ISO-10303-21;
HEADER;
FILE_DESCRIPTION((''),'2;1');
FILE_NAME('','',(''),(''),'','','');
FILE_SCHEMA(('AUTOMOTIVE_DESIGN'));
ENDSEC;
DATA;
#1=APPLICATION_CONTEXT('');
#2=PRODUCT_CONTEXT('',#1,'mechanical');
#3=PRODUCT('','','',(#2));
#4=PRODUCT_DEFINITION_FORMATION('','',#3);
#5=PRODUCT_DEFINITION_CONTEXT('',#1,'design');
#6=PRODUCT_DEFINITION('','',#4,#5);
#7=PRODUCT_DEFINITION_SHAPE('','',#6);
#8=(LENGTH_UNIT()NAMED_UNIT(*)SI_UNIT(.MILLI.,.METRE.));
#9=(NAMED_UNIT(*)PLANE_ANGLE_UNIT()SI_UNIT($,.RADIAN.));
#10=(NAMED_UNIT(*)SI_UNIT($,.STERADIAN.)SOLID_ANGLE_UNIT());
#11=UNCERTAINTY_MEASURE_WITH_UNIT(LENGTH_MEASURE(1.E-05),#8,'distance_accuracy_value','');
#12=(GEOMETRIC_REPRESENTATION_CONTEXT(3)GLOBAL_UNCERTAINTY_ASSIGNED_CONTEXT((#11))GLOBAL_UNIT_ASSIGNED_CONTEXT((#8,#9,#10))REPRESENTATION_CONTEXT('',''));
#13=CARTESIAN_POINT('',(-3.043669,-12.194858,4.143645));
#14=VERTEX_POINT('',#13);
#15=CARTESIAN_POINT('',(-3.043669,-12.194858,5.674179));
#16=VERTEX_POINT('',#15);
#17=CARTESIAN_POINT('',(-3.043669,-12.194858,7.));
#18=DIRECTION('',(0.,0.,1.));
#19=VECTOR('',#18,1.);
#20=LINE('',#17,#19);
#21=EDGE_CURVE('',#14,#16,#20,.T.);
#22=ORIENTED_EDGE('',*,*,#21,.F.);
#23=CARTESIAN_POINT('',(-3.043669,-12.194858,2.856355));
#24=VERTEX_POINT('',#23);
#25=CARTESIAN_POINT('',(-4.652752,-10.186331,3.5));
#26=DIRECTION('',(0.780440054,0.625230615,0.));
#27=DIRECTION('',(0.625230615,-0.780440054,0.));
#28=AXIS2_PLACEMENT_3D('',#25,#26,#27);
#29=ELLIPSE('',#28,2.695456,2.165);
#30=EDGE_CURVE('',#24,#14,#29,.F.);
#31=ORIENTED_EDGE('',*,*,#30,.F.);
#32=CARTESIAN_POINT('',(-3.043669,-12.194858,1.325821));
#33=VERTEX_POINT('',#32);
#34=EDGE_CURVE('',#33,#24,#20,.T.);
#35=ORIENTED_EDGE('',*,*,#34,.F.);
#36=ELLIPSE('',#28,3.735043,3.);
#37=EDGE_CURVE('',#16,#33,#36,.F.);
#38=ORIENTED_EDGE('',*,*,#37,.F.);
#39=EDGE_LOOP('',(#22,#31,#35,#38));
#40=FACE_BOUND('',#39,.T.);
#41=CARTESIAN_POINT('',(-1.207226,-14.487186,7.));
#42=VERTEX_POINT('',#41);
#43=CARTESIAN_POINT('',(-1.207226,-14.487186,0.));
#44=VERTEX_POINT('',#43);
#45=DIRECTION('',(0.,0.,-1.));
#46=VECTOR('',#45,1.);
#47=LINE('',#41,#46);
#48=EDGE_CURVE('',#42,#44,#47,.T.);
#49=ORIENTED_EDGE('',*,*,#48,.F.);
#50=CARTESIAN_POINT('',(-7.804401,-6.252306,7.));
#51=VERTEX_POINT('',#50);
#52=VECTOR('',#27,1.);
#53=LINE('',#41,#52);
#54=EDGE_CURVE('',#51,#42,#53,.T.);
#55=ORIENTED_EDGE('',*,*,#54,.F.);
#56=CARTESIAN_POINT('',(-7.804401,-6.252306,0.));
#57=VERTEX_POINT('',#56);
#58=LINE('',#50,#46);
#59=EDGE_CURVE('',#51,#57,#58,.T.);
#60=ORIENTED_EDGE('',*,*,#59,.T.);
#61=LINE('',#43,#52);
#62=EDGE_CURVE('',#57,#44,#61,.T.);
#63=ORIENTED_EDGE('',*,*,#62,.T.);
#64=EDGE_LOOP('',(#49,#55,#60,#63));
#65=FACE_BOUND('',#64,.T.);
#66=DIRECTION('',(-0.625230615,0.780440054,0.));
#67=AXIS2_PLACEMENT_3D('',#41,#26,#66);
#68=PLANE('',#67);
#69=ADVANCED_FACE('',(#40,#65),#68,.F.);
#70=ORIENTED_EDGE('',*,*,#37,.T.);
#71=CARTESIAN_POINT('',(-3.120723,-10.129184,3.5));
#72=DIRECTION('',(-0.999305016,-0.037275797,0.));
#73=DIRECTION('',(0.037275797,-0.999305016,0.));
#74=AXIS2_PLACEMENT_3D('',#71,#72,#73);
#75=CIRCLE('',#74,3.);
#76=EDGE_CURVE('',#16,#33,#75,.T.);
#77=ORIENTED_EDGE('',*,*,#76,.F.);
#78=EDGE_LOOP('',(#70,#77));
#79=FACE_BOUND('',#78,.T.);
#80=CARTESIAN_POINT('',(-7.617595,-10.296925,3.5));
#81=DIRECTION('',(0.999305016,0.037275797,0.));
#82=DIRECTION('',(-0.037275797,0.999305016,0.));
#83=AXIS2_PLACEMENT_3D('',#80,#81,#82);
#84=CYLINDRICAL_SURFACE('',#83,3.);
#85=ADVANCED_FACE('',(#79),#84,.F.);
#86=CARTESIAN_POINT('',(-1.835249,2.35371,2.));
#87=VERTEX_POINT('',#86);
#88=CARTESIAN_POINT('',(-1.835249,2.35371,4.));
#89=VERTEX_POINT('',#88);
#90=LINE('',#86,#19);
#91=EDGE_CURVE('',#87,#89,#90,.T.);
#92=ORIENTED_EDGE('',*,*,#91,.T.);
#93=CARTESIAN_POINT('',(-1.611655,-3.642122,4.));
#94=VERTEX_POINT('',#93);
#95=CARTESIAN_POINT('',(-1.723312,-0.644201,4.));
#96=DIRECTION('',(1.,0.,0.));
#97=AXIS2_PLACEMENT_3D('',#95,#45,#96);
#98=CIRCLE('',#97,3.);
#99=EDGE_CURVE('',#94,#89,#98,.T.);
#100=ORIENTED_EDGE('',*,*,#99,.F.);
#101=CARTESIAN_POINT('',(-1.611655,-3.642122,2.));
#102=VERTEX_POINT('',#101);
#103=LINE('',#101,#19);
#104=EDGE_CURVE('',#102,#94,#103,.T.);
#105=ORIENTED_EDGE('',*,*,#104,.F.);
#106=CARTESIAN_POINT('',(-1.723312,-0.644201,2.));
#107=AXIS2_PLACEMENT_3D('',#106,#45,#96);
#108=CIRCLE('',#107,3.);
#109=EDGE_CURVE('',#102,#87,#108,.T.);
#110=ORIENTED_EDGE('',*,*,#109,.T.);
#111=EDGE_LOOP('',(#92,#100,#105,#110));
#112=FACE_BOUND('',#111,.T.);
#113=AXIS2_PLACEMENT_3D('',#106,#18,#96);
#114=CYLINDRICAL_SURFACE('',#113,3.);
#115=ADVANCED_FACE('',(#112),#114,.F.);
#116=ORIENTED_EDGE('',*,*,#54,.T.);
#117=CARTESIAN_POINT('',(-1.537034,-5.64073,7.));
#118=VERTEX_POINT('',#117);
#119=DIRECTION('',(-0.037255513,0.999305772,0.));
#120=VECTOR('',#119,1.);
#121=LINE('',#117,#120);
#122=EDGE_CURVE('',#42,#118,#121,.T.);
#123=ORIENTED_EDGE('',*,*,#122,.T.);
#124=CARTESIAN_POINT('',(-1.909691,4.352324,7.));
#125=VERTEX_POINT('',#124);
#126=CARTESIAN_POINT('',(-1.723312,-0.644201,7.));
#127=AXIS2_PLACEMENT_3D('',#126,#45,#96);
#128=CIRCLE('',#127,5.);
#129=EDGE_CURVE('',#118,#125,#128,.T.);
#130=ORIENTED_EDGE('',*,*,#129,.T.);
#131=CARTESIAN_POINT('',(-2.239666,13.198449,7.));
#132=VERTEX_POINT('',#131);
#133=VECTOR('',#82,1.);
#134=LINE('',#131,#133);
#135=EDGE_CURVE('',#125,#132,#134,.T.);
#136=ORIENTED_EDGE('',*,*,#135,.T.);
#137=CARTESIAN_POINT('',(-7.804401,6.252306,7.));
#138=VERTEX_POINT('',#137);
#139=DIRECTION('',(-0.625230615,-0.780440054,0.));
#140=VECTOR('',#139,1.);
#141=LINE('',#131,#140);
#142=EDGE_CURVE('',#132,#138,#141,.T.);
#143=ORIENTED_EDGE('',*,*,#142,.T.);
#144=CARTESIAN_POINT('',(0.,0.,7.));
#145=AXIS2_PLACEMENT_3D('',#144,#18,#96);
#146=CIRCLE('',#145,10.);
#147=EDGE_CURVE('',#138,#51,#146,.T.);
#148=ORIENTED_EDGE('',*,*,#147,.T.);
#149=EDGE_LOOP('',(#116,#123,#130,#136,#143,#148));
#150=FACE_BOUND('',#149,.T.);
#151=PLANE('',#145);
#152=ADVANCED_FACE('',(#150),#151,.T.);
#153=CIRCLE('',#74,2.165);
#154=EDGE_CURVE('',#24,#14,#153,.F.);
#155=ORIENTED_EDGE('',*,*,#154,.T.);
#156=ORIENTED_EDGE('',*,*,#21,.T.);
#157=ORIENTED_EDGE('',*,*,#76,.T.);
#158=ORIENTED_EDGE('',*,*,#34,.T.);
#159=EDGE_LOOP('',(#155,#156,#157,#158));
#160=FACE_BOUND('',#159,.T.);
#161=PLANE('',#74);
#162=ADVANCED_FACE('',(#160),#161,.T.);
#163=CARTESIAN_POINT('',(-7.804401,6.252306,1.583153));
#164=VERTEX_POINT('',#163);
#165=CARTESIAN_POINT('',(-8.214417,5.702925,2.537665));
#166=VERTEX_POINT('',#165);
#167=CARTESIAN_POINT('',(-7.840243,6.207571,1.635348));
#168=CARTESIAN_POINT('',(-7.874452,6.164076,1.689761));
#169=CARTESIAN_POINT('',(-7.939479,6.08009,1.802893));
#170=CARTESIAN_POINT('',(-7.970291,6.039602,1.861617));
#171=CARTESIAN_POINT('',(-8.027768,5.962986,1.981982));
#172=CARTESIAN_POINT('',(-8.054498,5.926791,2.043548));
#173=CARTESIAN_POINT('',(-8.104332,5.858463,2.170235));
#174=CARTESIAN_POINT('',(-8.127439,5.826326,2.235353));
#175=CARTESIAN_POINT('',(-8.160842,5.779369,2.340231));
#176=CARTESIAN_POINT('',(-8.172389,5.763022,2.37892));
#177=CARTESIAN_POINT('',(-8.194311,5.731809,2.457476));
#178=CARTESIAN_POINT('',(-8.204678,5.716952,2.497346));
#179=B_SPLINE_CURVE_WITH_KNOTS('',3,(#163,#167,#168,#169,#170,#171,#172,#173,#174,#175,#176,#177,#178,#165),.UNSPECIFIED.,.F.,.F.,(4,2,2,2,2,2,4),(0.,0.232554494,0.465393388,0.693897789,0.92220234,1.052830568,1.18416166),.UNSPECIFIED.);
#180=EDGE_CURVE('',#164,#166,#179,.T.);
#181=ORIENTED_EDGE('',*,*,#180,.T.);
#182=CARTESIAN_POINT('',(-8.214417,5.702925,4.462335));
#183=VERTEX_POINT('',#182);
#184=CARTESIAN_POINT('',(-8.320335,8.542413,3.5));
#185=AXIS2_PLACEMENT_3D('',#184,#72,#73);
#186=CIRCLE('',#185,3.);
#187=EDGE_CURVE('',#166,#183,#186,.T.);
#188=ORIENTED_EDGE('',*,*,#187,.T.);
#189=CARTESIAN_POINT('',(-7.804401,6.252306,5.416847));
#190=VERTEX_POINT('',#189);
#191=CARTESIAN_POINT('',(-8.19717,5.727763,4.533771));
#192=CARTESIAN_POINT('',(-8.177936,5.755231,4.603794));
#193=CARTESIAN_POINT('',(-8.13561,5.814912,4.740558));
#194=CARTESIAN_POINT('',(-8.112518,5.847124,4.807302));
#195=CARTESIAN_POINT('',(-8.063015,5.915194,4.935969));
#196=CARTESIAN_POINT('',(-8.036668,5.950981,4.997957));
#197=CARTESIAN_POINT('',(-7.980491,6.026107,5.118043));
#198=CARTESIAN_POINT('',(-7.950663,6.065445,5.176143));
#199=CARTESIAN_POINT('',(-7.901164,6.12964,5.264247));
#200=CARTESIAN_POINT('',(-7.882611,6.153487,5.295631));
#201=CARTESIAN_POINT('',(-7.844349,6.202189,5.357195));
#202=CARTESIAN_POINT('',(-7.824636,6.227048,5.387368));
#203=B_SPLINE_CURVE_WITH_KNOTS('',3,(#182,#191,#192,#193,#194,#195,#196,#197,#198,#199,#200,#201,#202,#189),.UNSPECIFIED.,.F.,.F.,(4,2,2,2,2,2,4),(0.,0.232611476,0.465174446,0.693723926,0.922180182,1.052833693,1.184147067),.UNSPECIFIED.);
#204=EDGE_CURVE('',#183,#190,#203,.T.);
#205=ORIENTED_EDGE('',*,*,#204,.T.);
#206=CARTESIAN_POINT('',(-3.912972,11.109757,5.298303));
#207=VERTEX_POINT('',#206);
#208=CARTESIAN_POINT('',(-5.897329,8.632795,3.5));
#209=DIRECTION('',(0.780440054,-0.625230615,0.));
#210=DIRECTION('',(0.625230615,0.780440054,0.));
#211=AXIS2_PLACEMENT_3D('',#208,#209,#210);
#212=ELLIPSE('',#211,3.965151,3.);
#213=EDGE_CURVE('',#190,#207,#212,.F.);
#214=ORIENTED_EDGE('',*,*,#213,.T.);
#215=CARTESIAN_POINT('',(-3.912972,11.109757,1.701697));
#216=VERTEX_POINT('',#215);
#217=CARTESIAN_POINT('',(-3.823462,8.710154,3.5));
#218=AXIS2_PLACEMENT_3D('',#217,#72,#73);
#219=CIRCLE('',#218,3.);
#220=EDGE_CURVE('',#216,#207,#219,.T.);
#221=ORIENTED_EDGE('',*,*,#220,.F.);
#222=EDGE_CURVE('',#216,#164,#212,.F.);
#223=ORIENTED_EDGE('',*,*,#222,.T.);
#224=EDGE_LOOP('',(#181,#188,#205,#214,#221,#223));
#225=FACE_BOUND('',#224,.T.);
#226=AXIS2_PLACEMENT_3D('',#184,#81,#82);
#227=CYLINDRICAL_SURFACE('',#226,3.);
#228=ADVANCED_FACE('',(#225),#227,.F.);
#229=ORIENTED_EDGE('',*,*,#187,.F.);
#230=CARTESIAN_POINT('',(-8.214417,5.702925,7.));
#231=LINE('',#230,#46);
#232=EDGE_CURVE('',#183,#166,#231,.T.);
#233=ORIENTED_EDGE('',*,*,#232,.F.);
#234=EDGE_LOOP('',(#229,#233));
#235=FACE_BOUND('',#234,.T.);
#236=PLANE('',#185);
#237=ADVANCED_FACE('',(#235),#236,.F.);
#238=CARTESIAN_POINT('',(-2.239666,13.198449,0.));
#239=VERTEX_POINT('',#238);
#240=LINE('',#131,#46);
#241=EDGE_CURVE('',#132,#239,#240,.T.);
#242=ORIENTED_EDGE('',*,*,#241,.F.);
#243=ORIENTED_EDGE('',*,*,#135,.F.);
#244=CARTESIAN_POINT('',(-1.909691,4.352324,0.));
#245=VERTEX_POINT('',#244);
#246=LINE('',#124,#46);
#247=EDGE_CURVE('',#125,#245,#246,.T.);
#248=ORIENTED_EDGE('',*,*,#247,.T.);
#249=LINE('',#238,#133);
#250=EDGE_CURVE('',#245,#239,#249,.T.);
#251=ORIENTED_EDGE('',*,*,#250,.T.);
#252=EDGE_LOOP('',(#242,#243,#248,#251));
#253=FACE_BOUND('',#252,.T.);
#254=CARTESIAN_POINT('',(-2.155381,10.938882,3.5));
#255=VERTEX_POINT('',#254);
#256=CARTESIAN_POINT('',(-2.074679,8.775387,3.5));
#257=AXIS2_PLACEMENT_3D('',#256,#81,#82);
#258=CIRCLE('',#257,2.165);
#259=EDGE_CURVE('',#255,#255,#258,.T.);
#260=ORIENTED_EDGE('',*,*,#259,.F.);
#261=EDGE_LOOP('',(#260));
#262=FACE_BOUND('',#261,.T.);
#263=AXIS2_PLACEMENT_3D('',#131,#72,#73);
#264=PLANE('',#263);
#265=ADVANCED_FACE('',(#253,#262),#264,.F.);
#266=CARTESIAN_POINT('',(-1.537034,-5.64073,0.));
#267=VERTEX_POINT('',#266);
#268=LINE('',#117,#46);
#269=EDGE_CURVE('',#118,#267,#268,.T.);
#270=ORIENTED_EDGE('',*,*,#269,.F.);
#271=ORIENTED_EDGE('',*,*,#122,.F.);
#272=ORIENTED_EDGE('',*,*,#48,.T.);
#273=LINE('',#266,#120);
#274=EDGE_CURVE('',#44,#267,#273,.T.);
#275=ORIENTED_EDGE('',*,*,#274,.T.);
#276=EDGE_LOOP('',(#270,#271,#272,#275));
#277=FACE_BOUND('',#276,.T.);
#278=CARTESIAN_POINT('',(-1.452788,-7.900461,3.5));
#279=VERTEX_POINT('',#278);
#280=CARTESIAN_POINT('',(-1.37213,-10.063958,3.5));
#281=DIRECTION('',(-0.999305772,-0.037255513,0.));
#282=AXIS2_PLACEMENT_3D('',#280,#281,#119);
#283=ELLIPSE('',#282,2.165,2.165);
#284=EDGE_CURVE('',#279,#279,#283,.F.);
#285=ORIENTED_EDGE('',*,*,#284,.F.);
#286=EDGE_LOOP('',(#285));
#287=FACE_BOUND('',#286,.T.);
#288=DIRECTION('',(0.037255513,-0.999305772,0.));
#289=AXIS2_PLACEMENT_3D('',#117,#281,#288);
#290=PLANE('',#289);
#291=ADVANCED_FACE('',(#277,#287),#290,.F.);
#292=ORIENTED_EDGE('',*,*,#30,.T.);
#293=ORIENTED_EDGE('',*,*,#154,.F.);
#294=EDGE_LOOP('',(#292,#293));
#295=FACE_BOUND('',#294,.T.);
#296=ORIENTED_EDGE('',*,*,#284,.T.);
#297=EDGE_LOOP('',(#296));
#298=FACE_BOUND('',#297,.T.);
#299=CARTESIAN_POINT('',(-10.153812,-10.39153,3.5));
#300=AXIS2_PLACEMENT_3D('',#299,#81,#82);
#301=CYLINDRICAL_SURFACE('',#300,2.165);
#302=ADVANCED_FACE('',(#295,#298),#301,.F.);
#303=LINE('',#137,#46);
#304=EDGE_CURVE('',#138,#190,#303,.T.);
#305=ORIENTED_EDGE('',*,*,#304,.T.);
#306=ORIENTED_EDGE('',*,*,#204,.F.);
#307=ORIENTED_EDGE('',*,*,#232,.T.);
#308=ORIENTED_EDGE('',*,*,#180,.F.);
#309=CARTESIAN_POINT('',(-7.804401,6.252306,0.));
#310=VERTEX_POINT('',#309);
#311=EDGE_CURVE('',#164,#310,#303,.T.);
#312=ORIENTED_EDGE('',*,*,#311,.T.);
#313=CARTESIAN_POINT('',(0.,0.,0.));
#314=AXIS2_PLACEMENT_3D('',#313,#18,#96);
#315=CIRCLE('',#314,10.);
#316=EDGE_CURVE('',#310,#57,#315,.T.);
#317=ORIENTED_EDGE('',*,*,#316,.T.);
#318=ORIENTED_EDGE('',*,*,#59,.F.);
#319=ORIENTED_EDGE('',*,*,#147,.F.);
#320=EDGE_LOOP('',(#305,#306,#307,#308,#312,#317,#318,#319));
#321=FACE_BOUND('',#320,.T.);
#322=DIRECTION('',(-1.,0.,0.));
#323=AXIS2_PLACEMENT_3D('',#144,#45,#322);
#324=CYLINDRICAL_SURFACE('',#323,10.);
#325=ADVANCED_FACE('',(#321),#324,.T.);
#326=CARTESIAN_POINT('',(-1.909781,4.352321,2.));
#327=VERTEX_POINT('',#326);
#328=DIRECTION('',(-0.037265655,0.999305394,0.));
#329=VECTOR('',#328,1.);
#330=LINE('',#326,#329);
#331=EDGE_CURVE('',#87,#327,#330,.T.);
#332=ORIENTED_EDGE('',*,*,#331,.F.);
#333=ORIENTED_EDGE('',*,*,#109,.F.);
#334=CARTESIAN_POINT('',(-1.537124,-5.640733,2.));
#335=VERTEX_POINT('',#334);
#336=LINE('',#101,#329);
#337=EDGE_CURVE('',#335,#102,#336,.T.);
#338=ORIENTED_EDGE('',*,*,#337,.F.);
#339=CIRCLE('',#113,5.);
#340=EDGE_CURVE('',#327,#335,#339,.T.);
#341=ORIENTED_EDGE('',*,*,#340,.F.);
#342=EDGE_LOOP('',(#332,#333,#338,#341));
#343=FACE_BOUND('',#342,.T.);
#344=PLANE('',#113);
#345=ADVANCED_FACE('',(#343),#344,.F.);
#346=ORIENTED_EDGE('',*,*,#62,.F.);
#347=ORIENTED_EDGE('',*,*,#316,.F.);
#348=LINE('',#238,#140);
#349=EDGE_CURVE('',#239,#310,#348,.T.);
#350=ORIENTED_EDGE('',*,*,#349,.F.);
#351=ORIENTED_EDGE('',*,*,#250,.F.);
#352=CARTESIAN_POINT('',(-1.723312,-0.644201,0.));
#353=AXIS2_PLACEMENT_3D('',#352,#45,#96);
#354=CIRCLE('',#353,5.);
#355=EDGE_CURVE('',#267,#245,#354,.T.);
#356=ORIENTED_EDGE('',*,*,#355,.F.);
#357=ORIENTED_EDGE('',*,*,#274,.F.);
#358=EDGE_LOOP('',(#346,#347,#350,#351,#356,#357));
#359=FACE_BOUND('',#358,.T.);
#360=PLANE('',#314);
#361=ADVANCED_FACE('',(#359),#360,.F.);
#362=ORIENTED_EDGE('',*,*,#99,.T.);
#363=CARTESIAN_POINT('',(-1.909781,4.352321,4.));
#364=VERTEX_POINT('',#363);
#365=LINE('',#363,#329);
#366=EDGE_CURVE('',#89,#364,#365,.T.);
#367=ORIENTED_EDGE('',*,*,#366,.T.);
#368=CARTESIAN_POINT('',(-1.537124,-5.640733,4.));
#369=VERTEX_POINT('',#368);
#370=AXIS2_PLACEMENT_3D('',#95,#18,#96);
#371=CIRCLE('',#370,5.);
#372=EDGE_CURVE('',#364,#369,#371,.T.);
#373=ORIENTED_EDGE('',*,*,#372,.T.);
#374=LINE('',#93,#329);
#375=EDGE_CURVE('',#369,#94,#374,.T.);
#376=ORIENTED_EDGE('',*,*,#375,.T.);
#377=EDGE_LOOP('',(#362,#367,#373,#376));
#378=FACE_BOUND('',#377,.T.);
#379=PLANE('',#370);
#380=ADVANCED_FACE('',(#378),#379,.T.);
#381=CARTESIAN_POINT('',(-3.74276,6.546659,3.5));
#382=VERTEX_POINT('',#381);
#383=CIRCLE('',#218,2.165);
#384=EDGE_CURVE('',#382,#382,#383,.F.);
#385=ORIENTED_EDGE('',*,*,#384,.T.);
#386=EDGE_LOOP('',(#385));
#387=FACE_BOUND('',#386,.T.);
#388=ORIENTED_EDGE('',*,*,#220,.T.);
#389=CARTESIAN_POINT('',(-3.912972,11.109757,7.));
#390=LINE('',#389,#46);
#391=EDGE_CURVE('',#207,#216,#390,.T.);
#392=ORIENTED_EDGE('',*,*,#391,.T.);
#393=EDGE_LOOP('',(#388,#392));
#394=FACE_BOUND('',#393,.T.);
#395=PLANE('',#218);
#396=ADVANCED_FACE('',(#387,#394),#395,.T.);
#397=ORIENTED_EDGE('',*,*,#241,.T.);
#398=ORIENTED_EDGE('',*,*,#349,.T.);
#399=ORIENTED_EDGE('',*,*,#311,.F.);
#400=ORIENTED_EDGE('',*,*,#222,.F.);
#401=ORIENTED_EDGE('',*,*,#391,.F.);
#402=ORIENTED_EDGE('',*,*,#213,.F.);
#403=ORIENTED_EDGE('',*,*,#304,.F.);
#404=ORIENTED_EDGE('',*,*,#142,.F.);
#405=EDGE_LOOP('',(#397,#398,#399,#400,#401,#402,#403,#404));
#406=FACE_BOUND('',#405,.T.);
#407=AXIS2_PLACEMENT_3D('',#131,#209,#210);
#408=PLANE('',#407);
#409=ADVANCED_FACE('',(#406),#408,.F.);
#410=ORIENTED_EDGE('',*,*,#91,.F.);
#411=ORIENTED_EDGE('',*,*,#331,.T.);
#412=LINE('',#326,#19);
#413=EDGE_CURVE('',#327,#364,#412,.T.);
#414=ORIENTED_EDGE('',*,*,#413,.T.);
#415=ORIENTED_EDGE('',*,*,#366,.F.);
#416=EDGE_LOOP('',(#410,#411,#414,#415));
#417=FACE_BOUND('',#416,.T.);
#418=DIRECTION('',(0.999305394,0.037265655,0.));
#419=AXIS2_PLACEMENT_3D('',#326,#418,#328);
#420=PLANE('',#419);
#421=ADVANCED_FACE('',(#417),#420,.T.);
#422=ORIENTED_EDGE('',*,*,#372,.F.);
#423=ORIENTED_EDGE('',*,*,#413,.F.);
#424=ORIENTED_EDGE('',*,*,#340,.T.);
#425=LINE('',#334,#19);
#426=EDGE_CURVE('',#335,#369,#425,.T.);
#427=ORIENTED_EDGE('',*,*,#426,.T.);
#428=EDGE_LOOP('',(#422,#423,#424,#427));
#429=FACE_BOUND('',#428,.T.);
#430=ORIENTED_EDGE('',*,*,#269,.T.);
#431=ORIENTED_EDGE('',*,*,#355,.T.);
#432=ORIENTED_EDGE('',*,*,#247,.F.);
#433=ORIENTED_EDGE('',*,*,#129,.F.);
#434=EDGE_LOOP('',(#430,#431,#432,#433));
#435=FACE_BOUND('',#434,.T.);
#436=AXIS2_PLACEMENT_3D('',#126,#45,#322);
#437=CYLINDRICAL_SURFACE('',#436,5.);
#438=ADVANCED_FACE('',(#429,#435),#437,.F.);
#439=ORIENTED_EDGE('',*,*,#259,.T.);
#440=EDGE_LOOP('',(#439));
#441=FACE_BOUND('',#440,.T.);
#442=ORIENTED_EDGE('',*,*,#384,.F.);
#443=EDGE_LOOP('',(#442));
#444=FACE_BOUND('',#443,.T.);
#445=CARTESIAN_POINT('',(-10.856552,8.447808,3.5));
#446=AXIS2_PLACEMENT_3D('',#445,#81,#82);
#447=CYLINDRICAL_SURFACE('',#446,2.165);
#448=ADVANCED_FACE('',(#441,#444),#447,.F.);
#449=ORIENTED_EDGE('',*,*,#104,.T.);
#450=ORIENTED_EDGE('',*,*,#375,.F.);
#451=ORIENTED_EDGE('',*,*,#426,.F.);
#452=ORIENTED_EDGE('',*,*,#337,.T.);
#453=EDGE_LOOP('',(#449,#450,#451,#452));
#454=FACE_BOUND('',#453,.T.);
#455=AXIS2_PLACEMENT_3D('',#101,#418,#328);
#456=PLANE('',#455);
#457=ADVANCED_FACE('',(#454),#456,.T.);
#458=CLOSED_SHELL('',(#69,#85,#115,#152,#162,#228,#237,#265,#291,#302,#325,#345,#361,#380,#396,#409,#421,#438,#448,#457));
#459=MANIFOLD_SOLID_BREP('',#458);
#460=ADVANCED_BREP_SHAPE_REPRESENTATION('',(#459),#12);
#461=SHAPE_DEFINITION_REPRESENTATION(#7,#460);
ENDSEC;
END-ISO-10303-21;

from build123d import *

# Parameters (mm, degrees)
BOSS_EXTRUDE2_DEPTH = 7
BOSS_EXTRUDE3_START = -2
BOSS_EXTRUDE3_DEPTH = 2
CUT_EXTRUDE1_REACH  = 20.032
SKETCH4_R           = 2.165
SKETCH6_R           = 3
CUT_EXTRUDE2_DEPTH  = 2.25


with BuildPart() as part:
    # Sketch2 → Boss-Extrude2 (new body)
    with BuildSketch(Plane.XY):
        with BuildLine():
            Line((-1.537034244, -5.640729849), (-1.207226003, -14.487186411))
            Line((-1.207226003, -14.487186411), (-7.804400539, -6.252306152))
            ThreePointArc((-7.804400539, -6.252306152), (-10, 0), (-7.804400539, 6.252306152))
            Line((-7.804400539, 6.252306152), (-2.239666493, 13.198449277))
            Line((-2.239666493, 13.198449277), (-1.909690796, 4.352324093))
            ThreePointArc((-1.909690796, 4.352324093), (-6.719838781, -0.830529263), (-1.537034244, -5.640729849))
        make_face()
    extrude(amount=BOSS_EXTRUDE2_DEPTH)

    # Sketch3 → Boss-Extrude3 (add)
    with BuildSketch(Plane.XY.offset(4).offset(BOSS_EXTRUDE3_START)):
        with BuildLine():
            Line((-1.909780577, 4.352320743), (-1.835249267, 2.353709953))
            ThreePointArc((-1.835249267, 2.353709953), (-4.721227993, -0.755997952), (-1.611655337, -3.642122406))
            Line((-1.611655337, -3.642122406), (-1.537124027, -5.640733196))
            ThreePointArc((-1.537124027, -5.640733196), (-6.719838781, -0.830529263), (-1.909780577, 4.352320743))
        make_face()
    extrude(amount=BOSS_EXTRUDE3_DEPTH)

    # Sketch4 → Cut-Extrude1 (cut, up to next)
    with BuildSketch(Plane(origin=(-1.744913711, -0.065088285, 0), x_dir=(0, 0, -1), z_dir=(0.9993050159682331, 0.03727579725142651, 0)), mode=Mode.PRIVATE) as cut_extrude1_sk1:
        with Locations(Location((-3.5, 8.846623232, 0), (0, 0, 90))):
            Circle(SKETCH4_R)
    cut_extrude1_tool1 = extrude(cut_extrude1_sk1.sketch, amount=-CUT_EXTRUDE1_REACH, mode=Mode.PRIVATE) & part.part
    # Sketch4 → Cut-Extrude1 (cut, up to next)
    with BuildSketch(Plane(origin=(-1.744913711, -0.065088285, 0), x_dir=(0, 0, -1), z_dir=(0.9993050159682331, 0.03727579725142651, 0)), mode=Mode.PRIVATE) as cut_extrude1_sk2:
        with Locations(Location((-3.5, -10.005816596, 0), (0, 0, 90))):
            Circle(SKETCH4_R)
    cut_extrude1_tool2 = extrude(cut_extrude1_sk2.sketch, amount=-CUT_EXTRUDE1_REACH, mode=Mode.PRIVATE) & part.part
    add(cut_extrude1_tool1.solids().sort_by_distance((-2.074679, 8.775387, 3.5))[0], mode=Mode.SUBTRACT)
    add(cut_extrude1_tool2.solids().sort_by_distance((-1.371939, -10.063951, 3.5))[0], mode=Mode.SUBTRACT)

    # Sketch6 → Cut-Extrude2 (cut, symmetric)
    with BuildSketch(Plane(origin=(-5.742133775, -0.214191474, 0), x_dir=(0, 0, 1), z_dir=(-0.9993050159682331, -0.03727579725142651, 0))):
        with Locations((3.5, -10.005816596)):
            Circle(SKETCH6_R)
        with Locations((3.5, 8.846623232)):
            Circle(SKETCH6_R)
    extrude(amount=CUT_EXTRUDE2_DEPTH, both=True, mode=Mode.SUBTRACT)


solid = part.part
